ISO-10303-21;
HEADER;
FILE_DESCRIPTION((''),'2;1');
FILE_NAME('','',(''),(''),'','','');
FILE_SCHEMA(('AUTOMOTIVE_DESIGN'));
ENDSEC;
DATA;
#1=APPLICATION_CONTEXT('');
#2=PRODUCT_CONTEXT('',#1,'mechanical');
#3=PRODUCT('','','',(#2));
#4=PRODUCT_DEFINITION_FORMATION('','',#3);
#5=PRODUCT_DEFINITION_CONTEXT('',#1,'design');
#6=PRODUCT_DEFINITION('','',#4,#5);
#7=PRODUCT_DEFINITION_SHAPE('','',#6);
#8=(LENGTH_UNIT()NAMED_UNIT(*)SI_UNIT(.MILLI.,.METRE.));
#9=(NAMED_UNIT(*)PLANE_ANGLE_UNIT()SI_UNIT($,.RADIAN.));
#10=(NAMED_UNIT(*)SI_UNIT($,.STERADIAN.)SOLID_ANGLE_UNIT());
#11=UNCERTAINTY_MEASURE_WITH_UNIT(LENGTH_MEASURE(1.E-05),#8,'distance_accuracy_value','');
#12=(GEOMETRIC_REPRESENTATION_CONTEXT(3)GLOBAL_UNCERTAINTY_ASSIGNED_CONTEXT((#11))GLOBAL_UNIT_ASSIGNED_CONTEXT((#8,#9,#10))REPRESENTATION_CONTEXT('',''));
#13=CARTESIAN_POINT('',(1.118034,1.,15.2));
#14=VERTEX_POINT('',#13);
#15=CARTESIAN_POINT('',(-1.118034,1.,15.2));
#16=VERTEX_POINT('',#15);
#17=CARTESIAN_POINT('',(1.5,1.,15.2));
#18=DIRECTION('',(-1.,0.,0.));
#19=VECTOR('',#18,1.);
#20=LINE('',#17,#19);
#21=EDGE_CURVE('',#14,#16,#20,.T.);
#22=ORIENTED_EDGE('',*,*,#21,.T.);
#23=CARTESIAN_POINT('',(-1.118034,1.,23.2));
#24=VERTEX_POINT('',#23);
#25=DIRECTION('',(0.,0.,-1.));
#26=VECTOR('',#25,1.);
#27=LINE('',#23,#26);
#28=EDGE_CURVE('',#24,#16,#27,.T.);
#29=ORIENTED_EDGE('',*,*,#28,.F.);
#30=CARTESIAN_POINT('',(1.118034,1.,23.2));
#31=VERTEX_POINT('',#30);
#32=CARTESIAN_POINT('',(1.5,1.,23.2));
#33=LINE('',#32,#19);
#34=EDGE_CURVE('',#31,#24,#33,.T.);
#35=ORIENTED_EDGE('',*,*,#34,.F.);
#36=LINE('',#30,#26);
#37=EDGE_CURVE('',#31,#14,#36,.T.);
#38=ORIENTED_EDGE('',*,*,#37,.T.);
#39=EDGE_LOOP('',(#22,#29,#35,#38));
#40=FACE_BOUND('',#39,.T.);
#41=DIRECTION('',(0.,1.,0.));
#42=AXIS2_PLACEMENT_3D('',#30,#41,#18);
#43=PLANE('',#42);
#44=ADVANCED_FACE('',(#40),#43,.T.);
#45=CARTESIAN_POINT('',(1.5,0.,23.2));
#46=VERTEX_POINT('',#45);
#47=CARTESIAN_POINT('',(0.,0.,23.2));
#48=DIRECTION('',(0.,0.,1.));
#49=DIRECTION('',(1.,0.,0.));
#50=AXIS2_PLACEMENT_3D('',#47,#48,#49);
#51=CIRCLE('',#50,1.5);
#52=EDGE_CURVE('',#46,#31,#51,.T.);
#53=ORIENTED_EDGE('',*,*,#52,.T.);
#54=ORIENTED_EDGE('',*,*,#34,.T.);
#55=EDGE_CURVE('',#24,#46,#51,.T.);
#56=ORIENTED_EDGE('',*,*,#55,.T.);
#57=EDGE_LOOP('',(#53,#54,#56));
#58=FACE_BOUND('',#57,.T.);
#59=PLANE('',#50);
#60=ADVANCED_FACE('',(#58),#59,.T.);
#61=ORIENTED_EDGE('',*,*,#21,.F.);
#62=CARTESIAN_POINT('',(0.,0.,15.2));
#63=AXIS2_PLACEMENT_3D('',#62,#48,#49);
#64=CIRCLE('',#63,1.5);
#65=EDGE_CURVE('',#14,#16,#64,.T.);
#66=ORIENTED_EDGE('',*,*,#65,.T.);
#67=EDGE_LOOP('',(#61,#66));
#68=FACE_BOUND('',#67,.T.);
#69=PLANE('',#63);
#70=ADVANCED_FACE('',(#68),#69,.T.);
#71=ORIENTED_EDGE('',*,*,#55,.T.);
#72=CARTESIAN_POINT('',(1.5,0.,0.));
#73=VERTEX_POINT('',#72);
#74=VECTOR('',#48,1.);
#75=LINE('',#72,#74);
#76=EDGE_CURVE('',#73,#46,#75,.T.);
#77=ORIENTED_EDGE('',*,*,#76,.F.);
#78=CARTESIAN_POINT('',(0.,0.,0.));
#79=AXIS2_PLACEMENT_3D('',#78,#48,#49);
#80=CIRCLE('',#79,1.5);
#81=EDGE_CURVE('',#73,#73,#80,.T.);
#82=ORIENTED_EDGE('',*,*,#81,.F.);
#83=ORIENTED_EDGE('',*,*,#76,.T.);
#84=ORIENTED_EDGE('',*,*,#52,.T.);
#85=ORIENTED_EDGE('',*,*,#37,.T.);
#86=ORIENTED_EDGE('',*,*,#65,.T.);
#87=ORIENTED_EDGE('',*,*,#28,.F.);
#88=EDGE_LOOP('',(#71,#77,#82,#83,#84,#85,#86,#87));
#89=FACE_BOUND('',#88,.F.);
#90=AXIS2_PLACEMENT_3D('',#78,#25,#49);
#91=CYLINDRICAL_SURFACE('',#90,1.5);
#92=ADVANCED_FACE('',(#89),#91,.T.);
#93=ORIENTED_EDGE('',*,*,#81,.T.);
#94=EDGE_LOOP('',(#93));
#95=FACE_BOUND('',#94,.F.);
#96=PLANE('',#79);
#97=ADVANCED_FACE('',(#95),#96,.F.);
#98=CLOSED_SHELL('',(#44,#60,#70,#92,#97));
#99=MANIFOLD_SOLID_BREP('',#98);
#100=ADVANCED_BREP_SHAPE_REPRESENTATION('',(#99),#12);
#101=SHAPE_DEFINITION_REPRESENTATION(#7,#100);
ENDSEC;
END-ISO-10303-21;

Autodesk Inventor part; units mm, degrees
ref_plane "YZ Plane" through (0, 0, 0) normal (1, 0, 0) x (0, 1, 0)
ref_plane "XZ Plane" through (0, 0, 0) normal (0, 1, 0) x (-1, 0, 0)
ref_plane "XY Plane" through (0, 0, 0) normal (0, 0, 1) x (1, 0, 0)
sketch "Эскиз1" plane through (0, 0, 0) normal (0, 0, 1) x (1, 0, 0)
  circle A0 centre (0, 0) radius 1.5
  dimension "d0" = 3
extrude "Выдавливание1" add sketch "Эскиз1" along normal blind 23.2
sketch "Эскиз2" plane through (0, 0, 23.2) normal (0, 0, 1) x (1, 0, 0)
  line L0 (-1.5, -1) -> (1.5, -1)
  line L1 (1.5, -1) -> (1.5, 1)
  line L2 (1.5, 1) -> (-1.5, 1)
  line L3 (-1.5, 1) -> (-1.5, -1)
  line L4 (-1.5, -1) -> (1.5, 1) construction
  line L5 (1.5, -1) -> (-1.5, 1) construction
  circle A0 centre (0, 0) radius 1.5
  point P0 (-1.118, 1)
  point P1 (1.118, 1)
  dimension "d3" = 2
extrude "Выдавливание2" cut sketch "Эскиз2" against normal blind 8 contours A0 L2
properties part number "Ось 3мм"
